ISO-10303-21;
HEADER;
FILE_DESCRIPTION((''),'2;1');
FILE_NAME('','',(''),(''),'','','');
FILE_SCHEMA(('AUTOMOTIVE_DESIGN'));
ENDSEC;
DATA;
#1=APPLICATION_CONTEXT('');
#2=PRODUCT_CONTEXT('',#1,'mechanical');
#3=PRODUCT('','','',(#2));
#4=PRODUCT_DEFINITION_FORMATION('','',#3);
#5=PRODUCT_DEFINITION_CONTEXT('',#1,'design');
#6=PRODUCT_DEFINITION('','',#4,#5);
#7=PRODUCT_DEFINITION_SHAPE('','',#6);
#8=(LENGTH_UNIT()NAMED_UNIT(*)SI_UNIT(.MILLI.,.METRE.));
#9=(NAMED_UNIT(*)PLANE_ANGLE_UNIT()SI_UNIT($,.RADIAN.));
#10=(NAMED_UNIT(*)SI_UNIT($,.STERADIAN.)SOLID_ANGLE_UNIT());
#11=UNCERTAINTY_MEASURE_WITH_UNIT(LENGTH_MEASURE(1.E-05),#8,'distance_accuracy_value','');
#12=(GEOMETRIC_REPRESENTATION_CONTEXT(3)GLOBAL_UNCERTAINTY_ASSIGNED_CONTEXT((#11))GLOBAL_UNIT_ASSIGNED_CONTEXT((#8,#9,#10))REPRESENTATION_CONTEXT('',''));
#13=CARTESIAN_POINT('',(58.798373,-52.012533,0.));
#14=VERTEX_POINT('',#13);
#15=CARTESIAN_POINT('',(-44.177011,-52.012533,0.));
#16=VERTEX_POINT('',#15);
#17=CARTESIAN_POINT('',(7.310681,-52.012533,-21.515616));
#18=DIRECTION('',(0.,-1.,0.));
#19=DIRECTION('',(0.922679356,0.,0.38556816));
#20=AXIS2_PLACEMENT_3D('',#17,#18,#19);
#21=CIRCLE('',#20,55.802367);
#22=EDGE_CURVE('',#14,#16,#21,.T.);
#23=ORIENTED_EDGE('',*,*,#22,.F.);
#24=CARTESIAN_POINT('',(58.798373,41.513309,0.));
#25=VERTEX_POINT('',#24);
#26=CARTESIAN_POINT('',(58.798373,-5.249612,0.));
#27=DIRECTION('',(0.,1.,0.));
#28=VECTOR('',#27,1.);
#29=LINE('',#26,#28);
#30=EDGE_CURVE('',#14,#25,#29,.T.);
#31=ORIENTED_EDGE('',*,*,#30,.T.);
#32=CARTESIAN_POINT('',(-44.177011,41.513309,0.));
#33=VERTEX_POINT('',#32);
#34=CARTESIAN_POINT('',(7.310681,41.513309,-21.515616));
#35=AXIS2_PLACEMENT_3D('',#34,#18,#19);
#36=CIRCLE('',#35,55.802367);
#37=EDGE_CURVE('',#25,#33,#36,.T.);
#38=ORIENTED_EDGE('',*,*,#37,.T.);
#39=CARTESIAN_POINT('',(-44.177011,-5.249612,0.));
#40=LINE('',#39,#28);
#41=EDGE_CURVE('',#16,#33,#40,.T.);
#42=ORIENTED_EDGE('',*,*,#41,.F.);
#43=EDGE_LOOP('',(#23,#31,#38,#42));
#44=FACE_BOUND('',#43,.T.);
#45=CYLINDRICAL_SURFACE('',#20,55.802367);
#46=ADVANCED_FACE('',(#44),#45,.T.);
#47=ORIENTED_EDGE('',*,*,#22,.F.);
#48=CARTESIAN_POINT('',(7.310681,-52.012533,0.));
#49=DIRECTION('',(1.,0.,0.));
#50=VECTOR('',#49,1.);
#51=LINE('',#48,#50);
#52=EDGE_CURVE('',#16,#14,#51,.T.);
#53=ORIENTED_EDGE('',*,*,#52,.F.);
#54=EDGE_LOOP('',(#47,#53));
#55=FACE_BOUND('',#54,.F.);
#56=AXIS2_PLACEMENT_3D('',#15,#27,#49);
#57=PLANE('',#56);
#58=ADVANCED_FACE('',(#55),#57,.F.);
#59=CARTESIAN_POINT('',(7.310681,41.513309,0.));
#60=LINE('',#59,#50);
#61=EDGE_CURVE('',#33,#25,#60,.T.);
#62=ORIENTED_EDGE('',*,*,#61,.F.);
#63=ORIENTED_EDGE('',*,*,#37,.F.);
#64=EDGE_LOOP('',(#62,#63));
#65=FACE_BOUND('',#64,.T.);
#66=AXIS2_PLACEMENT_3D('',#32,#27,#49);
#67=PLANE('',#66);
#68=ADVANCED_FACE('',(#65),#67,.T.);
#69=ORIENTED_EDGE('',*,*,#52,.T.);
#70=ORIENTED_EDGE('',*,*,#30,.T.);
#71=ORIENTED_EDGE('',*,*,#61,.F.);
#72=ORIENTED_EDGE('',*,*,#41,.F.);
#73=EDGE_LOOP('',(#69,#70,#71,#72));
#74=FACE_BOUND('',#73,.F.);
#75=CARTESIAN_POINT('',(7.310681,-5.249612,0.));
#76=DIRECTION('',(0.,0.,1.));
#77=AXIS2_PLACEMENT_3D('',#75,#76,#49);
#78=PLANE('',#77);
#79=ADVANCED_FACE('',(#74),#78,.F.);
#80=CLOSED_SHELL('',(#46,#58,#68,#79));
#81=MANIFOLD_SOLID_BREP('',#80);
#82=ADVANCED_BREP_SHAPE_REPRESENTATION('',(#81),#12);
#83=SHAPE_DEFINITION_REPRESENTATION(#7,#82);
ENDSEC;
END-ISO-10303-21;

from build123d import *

# Parameters (mm, degrees)
F0_W     = 102.975384
F0_H     = 93.525842
F1_DEPTH = 80.70091
F3_DEPTH = 127.05569


with BuildPart() as f1:
    # F0 (on Top) → F1 (new body)
    with BuildSketch(Plane.XY):
        with Locations((7.310681, -5.249612)):
            Rectangle(F0_W, F0_H)
    extrude(amount=F1_DEPTH)

    # F2 (on face) → F3 (intersect)
    with BuildSketch(Plane.XZ.offset(52.012533)):
        with BuildLine():
            Line((-44.177011, 0), (58.798373, 0))
            ThreePointArc((58.798373, 0), (7.310681, 34.286751), (-44.177011, 0))
        make_face()
    extrude(amount=-F3_DEPTH, mode=Mode.INTERSECT)


solid = f1.part
